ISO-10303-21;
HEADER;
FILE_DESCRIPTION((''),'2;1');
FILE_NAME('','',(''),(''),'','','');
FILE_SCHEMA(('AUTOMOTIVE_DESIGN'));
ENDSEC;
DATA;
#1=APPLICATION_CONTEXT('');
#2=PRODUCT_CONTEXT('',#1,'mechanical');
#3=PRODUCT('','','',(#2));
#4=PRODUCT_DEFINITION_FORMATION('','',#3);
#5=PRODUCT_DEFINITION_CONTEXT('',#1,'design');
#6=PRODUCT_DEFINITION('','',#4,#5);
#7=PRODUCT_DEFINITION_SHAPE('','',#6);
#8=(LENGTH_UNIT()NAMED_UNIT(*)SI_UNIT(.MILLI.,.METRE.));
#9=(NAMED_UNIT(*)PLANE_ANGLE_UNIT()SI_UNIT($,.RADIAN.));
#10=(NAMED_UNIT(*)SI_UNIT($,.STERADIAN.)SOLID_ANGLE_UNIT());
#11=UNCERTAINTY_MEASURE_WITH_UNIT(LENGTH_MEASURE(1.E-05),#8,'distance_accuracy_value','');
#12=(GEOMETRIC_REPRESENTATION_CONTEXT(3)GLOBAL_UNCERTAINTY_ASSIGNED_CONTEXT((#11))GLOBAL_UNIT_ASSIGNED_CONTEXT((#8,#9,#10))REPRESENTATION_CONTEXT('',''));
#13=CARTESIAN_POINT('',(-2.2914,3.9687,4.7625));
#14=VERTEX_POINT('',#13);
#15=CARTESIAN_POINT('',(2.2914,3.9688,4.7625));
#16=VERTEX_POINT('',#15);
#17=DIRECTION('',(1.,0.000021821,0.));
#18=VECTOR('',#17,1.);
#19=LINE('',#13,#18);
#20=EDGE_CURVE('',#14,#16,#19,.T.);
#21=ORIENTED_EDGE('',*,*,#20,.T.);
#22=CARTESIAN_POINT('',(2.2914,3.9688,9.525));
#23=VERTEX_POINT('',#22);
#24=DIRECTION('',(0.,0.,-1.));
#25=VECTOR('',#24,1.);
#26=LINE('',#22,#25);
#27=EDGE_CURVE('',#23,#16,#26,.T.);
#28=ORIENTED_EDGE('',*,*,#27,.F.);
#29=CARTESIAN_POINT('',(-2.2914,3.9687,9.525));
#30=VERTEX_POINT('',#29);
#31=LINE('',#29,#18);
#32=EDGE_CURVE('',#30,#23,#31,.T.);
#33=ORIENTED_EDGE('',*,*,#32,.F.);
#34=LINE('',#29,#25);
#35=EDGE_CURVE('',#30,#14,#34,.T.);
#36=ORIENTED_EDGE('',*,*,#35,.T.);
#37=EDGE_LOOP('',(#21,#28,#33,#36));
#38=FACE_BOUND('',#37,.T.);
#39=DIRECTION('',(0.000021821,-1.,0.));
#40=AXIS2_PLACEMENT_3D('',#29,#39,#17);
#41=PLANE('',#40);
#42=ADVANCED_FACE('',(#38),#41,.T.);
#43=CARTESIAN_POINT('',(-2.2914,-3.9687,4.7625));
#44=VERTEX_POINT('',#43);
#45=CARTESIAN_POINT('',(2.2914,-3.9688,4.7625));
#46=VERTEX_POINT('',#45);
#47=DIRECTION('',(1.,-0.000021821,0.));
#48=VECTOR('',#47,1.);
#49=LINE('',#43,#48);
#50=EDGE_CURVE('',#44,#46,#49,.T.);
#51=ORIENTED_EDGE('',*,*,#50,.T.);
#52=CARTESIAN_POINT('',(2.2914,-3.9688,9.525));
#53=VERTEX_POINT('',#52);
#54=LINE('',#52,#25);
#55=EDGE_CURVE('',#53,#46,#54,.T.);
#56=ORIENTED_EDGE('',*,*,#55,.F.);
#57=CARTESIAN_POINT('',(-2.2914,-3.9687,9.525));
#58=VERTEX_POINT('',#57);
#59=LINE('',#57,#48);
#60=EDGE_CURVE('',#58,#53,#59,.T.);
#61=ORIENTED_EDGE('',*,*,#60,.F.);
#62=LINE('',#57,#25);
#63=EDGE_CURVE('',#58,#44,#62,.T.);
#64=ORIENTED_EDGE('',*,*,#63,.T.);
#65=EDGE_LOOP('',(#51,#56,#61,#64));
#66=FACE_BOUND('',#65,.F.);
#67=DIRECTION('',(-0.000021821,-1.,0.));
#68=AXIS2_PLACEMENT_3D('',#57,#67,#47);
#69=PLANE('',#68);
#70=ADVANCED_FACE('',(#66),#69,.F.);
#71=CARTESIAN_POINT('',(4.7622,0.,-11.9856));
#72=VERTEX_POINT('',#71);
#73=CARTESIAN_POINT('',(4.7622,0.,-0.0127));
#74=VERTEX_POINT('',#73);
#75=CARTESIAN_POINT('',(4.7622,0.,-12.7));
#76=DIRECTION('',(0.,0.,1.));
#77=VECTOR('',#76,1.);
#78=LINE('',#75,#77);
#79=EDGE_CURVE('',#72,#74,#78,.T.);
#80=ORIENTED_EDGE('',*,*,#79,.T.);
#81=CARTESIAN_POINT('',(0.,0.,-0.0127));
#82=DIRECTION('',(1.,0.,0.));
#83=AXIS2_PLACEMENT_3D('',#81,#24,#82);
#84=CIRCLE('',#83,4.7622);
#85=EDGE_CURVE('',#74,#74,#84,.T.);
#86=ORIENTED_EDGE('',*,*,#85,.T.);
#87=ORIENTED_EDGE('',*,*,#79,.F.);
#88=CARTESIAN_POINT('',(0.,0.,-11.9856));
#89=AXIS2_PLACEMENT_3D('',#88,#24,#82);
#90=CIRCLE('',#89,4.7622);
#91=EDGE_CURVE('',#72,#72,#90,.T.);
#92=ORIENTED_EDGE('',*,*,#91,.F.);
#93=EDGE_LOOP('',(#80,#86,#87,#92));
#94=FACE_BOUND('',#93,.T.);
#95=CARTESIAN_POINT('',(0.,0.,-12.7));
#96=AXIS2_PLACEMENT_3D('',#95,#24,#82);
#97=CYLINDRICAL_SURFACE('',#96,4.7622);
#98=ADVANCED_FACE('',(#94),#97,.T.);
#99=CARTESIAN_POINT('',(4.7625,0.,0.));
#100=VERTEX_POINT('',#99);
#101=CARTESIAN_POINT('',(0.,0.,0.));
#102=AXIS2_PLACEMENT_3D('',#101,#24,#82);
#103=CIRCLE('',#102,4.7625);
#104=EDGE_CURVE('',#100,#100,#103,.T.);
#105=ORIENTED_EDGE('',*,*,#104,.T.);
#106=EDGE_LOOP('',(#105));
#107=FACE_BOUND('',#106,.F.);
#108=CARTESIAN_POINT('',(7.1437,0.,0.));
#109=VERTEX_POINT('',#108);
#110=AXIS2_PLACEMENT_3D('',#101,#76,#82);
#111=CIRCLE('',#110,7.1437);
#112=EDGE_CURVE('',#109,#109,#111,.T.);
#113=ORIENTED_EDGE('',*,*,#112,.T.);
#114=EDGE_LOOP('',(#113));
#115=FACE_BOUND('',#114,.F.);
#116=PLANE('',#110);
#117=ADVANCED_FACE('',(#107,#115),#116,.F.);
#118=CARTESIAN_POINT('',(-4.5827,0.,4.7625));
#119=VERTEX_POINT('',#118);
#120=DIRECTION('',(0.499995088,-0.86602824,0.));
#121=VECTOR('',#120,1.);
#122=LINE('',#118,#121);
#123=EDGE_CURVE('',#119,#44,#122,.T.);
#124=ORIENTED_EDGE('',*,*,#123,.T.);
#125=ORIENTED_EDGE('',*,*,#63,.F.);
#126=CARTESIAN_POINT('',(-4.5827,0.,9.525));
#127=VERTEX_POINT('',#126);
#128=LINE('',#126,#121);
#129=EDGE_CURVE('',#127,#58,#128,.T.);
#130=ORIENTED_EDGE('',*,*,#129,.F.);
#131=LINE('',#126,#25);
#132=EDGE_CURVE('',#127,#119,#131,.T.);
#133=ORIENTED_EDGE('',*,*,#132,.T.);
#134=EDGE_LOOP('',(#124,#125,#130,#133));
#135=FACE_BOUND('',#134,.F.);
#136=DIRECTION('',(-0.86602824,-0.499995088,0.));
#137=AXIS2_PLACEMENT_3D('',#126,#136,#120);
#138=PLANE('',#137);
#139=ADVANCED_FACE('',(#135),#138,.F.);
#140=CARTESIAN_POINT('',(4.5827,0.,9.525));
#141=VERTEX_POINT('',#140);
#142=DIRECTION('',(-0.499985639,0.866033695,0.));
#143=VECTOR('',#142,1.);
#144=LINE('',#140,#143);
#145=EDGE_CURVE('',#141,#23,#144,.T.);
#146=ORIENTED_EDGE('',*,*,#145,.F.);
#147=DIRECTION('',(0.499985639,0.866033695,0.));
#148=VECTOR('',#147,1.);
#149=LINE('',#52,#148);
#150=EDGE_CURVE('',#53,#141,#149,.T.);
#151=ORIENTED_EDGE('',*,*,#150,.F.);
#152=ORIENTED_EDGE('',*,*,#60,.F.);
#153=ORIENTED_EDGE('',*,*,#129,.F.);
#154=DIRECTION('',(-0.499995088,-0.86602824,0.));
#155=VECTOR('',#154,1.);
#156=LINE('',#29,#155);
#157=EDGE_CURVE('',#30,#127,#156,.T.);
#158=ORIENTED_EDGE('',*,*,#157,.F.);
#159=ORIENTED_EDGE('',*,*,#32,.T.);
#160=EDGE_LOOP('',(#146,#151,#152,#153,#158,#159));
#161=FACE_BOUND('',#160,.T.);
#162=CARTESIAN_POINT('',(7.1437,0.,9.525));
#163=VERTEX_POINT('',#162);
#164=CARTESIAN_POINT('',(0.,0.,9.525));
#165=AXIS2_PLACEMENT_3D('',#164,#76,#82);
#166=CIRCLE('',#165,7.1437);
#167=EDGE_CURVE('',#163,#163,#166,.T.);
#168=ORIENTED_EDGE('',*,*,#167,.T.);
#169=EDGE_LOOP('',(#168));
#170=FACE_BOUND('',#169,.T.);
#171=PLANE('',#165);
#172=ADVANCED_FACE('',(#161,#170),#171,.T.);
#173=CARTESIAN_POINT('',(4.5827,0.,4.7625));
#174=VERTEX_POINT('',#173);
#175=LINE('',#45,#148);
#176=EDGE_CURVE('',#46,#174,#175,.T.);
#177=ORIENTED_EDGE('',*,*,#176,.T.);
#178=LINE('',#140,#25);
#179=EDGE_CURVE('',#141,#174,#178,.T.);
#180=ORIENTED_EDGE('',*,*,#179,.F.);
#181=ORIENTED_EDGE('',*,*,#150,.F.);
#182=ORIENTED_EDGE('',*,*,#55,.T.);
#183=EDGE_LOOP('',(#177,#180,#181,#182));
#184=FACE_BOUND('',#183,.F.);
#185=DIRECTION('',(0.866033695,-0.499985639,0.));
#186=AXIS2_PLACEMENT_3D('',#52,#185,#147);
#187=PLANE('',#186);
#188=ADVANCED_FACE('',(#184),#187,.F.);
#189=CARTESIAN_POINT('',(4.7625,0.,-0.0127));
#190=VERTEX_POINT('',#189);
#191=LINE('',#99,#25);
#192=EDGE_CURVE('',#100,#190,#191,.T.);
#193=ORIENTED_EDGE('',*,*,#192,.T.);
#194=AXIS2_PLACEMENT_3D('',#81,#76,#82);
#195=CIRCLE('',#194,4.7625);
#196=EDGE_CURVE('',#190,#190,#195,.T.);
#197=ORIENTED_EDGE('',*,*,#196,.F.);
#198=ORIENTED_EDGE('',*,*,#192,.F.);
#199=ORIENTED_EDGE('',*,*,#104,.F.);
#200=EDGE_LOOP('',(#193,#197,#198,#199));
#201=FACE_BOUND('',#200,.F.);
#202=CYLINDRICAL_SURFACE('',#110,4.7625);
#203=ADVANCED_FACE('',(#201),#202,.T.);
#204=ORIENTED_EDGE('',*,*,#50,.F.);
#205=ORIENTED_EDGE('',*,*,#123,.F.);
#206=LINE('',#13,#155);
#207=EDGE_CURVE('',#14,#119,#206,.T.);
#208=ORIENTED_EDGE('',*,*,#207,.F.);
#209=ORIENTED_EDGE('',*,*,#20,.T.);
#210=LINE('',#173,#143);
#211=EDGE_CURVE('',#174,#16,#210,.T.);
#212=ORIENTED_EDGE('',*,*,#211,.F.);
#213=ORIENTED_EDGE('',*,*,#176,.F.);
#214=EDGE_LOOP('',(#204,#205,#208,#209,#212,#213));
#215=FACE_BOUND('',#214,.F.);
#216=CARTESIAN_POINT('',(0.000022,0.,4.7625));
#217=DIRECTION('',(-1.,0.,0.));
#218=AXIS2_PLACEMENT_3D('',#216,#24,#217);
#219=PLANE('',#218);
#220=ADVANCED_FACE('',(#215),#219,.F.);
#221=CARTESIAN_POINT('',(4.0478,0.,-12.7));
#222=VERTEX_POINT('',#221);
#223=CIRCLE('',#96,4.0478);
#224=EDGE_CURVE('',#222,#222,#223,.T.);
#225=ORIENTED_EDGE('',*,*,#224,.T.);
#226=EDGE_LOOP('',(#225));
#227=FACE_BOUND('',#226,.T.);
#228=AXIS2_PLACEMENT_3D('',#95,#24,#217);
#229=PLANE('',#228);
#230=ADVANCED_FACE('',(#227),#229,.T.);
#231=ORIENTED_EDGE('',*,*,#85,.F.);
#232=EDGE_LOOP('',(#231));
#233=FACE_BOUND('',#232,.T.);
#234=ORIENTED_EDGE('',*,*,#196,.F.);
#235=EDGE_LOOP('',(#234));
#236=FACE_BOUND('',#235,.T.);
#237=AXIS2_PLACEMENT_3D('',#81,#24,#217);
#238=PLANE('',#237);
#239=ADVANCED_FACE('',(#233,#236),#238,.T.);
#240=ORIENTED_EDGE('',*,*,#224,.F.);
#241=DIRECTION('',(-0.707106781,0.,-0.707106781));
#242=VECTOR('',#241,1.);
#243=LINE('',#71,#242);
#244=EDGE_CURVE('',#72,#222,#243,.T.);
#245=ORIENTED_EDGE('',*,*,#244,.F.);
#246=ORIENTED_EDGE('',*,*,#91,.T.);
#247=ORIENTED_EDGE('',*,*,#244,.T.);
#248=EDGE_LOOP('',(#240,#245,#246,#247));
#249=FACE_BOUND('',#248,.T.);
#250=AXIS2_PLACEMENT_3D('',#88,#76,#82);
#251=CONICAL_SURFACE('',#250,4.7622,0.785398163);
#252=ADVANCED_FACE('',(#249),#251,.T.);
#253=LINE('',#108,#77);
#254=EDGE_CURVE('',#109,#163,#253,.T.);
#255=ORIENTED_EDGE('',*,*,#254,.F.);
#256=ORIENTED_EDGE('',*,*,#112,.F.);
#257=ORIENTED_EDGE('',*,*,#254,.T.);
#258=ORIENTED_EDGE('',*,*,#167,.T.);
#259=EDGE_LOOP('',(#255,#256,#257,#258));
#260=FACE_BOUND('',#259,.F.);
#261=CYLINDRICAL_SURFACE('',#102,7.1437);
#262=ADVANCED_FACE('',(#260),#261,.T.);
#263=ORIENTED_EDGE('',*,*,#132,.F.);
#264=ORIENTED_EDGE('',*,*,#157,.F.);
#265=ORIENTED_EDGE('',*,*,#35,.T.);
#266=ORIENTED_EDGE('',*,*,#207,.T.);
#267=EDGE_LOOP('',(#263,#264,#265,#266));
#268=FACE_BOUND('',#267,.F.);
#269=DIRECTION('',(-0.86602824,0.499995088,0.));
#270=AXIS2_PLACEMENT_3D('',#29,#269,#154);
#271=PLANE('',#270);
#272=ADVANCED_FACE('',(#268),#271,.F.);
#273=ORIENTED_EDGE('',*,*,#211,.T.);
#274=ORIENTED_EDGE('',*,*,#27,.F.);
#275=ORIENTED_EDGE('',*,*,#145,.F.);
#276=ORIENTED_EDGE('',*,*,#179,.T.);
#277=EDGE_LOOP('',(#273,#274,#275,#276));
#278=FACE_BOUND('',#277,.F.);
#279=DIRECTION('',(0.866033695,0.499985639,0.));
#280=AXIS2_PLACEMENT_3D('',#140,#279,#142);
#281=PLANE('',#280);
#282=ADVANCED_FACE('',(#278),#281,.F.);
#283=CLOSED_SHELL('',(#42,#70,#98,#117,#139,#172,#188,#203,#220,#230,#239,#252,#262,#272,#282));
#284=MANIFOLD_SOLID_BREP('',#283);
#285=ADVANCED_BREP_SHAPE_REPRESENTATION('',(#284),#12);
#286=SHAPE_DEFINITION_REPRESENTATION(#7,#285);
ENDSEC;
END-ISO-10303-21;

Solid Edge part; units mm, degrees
sketch "Sketch1" plane through (0, 0, 0) normal (0, 0, 1) x (1, 0, 0)
  circle A0 centre (0, 0) radius 7.1437
  dimension "D1" = 14.2875
extrude "Protrusion1" add sketch "Sketch1" along normal blind 9.525
sketch "Sketch2" plane through (0, 0, 0) normal (0, 0, -1) x (1, 0, 0)
  circle A0 centre (0, 0) radius 4.7625
extrude "Protrusion2" add sketch "Sketch2" along normal blind 12.7
sketch "Sketch3" plane through (0, 0, -12.7) normal (0, 0, -1) x (1, 0, 0)
  circle A0 centre (0, 0) radius 4.7622
extrude "Cutout1" cut sketch "Sketch3" against normal blind 12.6873 flip side to cut
chamfer "Chamfer_1" distance 0.7144 angle 45 1 edges at (-4.7622, 0, -12.7)
sketch "Sketch4" plane through (0, 0, 9.525) normal (0, 0, 1) x (1, 0, 0)
  line L0 (-2.2914, 3.9687) -> (2.2914, 3.9688)
  line L1 (4.5827, 0) -> (2.2914, 3.9688)
  line L2 (2.2914, -3.9688) -> (4.5827, 0)
  line L3 (-2.2914, -3.9687) -> (2.2914, -3.9688)
  line L4 (-4.5827, 0) -> (-2.2914, -3.9688)
  line L5 (-2.2914, 3.9688) -> (-4.5827, 0)
  dimension "D1" = 7.9375
extrude "Cutout2" cut sketch "Sketch4" against normal blind 4.7625
properties part number "24101605"
